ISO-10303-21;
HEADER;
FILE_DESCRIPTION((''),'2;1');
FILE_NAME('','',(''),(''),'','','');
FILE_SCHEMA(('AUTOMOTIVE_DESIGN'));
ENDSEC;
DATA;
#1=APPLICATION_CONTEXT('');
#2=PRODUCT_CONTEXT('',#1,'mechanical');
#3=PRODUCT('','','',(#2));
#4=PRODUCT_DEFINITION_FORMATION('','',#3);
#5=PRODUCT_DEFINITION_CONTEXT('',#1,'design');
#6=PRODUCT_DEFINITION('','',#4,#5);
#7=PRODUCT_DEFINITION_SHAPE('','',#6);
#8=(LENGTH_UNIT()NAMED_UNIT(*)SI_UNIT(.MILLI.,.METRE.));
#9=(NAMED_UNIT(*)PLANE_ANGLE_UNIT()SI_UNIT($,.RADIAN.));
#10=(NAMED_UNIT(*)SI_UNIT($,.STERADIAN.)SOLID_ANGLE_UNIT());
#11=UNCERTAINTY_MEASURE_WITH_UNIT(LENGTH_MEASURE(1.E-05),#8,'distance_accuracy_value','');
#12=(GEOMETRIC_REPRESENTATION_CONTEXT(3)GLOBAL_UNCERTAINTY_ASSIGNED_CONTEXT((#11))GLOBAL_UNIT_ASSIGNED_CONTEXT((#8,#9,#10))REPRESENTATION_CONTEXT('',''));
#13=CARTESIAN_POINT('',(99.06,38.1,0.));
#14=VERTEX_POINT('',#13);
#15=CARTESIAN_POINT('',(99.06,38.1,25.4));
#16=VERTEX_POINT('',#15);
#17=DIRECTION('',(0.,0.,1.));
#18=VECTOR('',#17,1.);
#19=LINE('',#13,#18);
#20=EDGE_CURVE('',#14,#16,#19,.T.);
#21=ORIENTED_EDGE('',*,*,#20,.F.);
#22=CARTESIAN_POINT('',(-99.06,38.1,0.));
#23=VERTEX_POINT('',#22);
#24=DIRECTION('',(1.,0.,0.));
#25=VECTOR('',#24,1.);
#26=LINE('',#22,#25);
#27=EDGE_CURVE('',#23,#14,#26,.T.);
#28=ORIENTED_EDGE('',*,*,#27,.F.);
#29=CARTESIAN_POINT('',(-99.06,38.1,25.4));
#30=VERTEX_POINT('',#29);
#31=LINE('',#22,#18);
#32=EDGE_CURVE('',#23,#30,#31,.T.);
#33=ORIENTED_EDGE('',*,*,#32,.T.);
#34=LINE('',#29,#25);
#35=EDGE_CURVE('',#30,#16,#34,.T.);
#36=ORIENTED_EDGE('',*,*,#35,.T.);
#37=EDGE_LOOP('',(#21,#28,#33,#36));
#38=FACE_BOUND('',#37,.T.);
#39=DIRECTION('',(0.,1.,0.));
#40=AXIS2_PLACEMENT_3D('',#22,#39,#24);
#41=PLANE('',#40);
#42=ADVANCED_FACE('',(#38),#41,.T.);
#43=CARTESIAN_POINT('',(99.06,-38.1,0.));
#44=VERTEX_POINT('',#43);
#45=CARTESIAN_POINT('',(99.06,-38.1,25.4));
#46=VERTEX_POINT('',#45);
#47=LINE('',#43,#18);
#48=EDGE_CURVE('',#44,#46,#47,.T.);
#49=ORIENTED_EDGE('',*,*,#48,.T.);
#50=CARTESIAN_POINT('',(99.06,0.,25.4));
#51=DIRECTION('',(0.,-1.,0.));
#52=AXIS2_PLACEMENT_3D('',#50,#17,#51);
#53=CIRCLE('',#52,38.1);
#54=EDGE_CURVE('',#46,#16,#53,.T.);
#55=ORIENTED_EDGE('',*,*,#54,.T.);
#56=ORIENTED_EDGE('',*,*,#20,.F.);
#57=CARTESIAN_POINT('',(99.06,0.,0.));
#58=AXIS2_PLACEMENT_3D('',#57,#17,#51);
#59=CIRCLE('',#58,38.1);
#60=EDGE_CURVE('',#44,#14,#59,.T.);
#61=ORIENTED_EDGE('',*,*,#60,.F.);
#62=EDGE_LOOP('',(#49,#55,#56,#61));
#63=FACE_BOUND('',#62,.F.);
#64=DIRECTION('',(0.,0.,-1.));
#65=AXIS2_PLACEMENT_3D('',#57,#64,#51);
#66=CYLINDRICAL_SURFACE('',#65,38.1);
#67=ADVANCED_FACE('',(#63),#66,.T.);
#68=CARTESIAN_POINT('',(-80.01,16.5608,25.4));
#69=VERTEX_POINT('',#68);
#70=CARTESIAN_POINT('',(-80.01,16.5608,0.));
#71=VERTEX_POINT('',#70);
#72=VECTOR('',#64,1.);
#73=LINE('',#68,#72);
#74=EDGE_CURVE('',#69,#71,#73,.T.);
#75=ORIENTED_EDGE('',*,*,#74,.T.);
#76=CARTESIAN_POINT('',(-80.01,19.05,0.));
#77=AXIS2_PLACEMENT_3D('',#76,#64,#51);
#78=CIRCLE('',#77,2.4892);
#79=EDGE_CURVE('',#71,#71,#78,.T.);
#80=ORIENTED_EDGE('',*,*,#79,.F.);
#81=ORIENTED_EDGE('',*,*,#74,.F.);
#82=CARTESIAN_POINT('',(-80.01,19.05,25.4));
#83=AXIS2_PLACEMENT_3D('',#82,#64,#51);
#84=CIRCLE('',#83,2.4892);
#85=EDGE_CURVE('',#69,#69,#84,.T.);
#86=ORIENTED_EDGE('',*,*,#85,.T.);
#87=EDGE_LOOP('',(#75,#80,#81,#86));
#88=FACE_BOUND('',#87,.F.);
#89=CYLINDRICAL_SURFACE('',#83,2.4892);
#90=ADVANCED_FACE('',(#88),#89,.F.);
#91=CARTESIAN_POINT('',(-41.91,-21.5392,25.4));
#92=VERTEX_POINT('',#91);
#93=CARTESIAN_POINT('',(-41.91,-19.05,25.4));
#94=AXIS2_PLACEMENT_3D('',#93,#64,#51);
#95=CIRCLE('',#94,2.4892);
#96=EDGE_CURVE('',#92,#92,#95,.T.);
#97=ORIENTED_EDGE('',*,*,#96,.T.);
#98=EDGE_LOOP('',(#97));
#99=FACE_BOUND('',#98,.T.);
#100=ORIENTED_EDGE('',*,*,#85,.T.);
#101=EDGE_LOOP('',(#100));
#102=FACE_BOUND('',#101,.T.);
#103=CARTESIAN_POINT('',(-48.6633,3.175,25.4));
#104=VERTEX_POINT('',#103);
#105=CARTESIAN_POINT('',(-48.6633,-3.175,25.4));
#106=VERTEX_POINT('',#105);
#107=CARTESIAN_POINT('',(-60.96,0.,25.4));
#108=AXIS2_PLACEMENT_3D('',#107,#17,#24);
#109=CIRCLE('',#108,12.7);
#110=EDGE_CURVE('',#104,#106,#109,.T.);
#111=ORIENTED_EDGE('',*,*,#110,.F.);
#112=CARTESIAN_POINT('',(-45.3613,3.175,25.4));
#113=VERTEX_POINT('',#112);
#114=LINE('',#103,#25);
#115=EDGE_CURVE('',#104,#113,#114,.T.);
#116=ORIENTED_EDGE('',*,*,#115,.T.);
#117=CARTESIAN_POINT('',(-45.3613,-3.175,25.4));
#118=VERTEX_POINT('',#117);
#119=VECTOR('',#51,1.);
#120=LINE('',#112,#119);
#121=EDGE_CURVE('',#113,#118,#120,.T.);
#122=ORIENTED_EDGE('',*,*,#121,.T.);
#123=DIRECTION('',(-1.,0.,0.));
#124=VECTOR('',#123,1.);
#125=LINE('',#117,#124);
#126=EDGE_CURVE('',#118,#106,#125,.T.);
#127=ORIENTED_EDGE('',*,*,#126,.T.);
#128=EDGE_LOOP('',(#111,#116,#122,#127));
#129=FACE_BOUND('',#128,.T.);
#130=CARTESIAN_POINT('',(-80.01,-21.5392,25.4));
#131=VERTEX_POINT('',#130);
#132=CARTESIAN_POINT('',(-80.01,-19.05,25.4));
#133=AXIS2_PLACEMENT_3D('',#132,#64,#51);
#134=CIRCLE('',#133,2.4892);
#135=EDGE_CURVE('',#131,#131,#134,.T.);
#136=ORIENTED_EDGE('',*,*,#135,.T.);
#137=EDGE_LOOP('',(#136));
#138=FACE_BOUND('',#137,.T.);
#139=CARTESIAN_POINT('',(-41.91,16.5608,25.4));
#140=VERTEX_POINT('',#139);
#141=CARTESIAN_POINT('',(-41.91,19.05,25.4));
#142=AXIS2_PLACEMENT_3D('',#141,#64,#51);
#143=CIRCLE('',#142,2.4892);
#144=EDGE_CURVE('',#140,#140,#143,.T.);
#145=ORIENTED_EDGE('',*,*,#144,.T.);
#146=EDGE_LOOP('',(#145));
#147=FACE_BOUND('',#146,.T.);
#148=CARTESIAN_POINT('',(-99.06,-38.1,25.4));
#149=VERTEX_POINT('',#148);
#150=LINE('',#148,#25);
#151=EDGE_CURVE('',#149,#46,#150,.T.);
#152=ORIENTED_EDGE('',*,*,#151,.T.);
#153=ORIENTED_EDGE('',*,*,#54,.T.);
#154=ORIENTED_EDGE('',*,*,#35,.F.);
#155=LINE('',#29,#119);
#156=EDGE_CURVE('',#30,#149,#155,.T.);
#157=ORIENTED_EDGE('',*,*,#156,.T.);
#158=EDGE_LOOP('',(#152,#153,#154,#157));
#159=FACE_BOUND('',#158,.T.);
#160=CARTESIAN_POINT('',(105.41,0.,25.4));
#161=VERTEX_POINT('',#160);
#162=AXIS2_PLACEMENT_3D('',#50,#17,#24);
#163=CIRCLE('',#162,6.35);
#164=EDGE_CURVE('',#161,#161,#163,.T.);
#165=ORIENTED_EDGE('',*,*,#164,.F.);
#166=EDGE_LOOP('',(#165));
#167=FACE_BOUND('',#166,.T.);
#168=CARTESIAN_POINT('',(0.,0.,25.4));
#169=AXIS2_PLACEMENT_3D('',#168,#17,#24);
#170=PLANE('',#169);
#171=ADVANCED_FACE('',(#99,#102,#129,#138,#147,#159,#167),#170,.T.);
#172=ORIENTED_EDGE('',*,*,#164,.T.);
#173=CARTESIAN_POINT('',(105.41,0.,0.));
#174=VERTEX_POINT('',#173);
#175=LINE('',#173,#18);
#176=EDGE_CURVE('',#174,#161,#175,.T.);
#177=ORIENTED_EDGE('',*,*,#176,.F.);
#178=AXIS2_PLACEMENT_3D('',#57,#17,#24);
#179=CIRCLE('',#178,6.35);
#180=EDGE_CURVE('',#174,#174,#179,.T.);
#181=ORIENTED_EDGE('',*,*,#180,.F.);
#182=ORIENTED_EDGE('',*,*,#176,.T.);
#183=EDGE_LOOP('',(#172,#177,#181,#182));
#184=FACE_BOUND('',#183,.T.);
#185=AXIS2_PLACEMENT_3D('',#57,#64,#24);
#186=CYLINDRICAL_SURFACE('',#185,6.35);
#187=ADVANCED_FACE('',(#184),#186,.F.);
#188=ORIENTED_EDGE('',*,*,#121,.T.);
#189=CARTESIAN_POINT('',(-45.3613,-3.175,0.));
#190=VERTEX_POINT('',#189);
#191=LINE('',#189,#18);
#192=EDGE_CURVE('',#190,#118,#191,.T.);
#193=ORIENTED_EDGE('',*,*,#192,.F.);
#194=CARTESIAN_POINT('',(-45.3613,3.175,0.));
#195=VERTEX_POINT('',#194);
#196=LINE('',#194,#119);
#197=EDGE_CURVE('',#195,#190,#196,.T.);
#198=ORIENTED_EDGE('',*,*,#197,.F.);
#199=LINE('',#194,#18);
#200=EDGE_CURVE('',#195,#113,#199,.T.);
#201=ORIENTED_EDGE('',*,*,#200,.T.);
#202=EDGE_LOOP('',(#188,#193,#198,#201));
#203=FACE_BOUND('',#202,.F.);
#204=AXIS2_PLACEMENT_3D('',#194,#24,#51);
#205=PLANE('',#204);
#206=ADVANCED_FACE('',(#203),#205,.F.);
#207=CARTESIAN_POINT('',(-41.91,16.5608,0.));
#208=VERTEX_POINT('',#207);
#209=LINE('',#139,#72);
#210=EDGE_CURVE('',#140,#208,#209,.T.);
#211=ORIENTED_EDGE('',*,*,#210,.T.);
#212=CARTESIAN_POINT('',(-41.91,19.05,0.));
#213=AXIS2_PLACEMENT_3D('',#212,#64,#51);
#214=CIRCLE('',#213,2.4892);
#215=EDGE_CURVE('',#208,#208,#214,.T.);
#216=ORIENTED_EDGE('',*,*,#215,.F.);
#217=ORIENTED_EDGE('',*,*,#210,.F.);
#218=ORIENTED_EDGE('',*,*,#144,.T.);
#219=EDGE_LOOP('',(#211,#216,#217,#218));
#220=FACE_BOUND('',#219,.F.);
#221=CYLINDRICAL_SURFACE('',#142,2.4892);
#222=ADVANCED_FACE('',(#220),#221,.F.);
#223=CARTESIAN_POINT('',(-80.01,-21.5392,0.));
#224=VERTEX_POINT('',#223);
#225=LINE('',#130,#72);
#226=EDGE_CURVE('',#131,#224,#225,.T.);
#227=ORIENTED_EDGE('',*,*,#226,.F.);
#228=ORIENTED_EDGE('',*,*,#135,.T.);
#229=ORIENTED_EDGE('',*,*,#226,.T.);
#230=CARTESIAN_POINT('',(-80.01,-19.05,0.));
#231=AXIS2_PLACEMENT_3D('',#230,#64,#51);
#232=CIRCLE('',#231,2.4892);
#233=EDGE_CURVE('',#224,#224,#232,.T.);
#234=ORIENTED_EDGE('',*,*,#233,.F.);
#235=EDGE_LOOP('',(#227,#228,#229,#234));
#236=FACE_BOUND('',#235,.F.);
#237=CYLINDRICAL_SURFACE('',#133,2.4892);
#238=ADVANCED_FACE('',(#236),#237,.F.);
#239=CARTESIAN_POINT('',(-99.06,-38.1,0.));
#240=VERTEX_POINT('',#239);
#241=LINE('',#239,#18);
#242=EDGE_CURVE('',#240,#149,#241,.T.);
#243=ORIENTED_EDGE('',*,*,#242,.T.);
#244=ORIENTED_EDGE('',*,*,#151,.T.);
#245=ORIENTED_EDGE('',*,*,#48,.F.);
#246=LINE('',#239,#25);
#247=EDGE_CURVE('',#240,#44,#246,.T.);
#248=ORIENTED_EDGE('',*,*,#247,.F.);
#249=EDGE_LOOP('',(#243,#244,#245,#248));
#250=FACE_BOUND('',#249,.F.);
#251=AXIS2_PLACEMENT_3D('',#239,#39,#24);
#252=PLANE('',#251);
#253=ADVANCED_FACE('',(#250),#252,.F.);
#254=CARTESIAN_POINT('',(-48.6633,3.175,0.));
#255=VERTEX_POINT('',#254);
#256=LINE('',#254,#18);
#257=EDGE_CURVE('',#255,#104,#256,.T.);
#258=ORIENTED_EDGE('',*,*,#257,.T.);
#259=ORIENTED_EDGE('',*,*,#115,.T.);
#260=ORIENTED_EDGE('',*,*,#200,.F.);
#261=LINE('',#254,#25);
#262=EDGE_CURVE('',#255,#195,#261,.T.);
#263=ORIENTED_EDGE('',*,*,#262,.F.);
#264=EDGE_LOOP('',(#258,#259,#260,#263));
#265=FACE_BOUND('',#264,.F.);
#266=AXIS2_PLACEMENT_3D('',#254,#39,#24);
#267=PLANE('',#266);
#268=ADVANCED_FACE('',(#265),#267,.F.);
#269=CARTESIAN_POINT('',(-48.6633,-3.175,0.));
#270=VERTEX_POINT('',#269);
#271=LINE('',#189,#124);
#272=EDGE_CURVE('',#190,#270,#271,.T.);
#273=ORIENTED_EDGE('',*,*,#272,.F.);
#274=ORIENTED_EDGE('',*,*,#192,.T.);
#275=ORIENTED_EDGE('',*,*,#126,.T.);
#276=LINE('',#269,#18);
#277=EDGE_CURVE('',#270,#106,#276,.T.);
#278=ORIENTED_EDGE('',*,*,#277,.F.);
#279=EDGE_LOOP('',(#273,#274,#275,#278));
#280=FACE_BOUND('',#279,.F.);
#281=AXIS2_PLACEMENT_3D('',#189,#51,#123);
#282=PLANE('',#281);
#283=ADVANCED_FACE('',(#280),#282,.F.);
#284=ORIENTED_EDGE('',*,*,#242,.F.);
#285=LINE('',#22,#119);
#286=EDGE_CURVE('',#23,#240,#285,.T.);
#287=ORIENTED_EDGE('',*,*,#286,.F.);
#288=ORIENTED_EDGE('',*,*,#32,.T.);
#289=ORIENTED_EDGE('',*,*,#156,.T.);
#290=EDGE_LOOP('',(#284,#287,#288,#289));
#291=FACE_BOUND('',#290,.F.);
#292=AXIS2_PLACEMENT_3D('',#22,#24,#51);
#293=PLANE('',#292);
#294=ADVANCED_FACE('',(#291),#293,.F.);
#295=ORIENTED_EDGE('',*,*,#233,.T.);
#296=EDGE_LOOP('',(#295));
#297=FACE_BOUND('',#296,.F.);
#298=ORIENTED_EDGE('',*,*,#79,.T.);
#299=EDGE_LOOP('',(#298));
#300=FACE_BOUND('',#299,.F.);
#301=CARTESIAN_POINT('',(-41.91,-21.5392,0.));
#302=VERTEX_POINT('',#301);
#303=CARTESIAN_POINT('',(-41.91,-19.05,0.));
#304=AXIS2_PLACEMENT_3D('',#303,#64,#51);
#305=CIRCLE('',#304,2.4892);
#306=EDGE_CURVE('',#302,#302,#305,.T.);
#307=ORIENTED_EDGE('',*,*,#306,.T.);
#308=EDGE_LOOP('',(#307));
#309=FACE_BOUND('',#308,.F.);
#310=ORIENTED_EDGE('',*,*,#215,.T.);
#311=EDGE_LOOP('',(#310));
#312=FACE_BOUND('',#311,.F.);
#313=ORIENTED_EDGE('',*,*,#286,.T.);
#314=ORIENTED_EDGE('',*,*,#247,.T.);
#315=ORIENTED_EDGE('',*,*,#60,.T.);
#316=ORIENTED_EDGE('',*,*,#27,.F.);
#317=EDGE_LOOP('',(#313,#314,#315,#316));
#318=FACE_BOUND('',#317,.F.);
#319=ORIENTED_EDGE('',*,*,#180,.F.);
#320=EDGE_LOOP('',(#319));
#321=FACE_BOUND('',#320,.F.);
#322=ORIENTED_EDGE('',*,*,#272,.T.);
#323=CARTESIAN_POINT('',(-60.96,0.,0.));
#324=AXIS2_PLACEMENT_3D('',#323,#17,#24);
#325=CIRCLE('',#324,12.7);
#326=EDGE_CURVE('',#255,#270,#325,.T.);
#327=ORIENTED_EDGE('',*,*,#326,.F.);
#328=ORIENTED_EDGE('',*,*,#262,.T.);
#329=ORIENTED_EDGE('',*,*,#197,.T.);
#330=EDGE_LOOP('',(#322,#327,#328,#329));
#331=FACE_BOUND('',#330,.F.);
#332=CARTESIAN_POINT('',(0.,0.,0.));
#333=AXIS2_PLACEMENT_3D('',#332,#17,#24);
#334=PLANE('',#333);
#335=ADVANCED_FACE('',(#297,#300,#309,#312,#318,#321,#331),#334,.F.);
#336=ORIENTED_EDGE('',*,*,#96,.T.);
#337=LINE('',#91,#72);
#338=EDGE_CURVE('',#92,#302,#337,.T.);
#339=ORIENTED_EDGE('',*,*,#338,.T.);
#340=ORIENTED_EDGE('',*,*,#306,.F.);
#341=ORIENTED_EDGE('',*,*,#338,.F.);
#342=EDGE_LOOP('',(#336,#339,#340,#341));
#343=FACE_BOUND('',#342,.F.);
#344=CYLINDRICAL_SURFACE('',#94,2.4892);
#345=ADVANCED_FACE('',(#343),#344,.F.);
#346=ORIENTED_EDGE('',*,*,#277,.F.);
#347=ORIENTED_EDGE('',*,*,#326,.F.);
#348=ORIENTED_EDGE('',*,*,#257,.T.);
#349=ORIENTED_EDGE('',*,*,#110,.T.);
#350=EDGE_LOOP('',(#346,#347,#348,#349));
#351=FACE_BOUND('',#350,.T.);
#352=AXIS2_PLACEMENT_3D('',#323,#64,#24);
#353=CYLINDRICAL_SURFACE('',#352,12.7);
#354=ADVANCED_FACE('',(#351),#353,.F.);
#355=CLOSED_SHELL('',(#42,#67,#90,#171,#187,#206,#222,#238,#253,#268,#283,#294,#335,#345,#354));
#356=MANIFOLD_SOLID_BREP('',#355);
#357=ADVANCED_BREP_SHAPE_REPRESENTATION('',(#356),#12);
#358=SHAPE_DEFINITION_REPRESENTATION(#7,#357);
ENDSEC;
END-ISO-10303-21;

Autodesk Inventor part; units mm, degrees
ref_plane "YZ Plane" through (0, 0, 0) normal (1, 0, 0) x (0, 1, 0)
ref_plane "XZ Plane" through (0, 0, 0) normal (0, 1, 0) x (-1, 0, 0)
ref_plane "XY Plane" through (0, 0, 0) normal (0, 0, 1) x (1, 0, 0)
sketch "Sketch1" plane through (0, 0, 0) normal (0, 0, 1) x (1, 0, 0)
  line L0 (-99.06, 38.1) -> (-99.06, -38.1)
  circle A0 centre (-60.96, 0) radius 12.7
  circle A1 centre (99.06, 0) radius 6.35
  line L1 (-99.06, 38.1) -> (99.06, 38.1)
  line L2 (-99.06, -38.1) -> (99.06, -38.1)
  arc A2 (99.06, -38.1) -> (99.06, 38.1) centre (99.06, 0) ccw
  line L3 (-48.6633, 3.175) -> (-45.3613, 3.175)
  line L4 (-45.3613, 3.175) -> (-45.3613, -3.175)
  line L5 (-45.3613, -3.175) -> (-48.6633, -3.175)
  point P0 (0, 0)
  point P1 (-99.06, 0)
  point P2 (106.7321, -3.216)
  point P3 (113.0654, -3.216)
  point P4 (-45.3613, 0)
  point P5 (0, -38.1)
  dimension "d0" = 76.2
  dimension "d4" = 25.4
  dimension "d13" = 12.7
  dimension "d14" = 6.35
  dimension "d15" = 160.02
  dimension "d16" = 3.302
  dimension "d17" = 38.1
extrude "Extrusion2" add sketch "Sketch1" along normal blind 25.4
ref_plane "Work Plane1" through (-99.06, 0, 0) normal (0, 1, 0) x (1, 0, 0)
sketch "Sketch2" plane through (0, 0, 25.4) normal (0, 0, 1) x (1, 0, 0)
  arc A0 (-48.6633, 3.175) -> (-48.6633, -3.175) centre (-60.96, 0) ccw projected
  point P0 (0, 0)
  point P1 (-80.01, 19.05)
  point P2 (-41.91, 19.05)
  point P3 (-41.91, -19.05)
  point P4 (-80.01, -19.05)
  dimension "d20" = 38.1
  dimension "d21" = 38.1
  dimension "d22" = 19.05
  dimension "d23" = 19.05
hole "Hole1" at (-80.01, 19.05, 25.4) at (-41.91, 19.05, 25.4) at (-41.91, -19.05, 25.4) at (-80.01, -19.05, 25.4) direction (0, 0, -1) diameter 4.9784 depth 25.4 tip angle 118 thread size "1/4-20 UNC" class "2B" standard "ANSI Unified Screw Threads"
properties part number "arm"
